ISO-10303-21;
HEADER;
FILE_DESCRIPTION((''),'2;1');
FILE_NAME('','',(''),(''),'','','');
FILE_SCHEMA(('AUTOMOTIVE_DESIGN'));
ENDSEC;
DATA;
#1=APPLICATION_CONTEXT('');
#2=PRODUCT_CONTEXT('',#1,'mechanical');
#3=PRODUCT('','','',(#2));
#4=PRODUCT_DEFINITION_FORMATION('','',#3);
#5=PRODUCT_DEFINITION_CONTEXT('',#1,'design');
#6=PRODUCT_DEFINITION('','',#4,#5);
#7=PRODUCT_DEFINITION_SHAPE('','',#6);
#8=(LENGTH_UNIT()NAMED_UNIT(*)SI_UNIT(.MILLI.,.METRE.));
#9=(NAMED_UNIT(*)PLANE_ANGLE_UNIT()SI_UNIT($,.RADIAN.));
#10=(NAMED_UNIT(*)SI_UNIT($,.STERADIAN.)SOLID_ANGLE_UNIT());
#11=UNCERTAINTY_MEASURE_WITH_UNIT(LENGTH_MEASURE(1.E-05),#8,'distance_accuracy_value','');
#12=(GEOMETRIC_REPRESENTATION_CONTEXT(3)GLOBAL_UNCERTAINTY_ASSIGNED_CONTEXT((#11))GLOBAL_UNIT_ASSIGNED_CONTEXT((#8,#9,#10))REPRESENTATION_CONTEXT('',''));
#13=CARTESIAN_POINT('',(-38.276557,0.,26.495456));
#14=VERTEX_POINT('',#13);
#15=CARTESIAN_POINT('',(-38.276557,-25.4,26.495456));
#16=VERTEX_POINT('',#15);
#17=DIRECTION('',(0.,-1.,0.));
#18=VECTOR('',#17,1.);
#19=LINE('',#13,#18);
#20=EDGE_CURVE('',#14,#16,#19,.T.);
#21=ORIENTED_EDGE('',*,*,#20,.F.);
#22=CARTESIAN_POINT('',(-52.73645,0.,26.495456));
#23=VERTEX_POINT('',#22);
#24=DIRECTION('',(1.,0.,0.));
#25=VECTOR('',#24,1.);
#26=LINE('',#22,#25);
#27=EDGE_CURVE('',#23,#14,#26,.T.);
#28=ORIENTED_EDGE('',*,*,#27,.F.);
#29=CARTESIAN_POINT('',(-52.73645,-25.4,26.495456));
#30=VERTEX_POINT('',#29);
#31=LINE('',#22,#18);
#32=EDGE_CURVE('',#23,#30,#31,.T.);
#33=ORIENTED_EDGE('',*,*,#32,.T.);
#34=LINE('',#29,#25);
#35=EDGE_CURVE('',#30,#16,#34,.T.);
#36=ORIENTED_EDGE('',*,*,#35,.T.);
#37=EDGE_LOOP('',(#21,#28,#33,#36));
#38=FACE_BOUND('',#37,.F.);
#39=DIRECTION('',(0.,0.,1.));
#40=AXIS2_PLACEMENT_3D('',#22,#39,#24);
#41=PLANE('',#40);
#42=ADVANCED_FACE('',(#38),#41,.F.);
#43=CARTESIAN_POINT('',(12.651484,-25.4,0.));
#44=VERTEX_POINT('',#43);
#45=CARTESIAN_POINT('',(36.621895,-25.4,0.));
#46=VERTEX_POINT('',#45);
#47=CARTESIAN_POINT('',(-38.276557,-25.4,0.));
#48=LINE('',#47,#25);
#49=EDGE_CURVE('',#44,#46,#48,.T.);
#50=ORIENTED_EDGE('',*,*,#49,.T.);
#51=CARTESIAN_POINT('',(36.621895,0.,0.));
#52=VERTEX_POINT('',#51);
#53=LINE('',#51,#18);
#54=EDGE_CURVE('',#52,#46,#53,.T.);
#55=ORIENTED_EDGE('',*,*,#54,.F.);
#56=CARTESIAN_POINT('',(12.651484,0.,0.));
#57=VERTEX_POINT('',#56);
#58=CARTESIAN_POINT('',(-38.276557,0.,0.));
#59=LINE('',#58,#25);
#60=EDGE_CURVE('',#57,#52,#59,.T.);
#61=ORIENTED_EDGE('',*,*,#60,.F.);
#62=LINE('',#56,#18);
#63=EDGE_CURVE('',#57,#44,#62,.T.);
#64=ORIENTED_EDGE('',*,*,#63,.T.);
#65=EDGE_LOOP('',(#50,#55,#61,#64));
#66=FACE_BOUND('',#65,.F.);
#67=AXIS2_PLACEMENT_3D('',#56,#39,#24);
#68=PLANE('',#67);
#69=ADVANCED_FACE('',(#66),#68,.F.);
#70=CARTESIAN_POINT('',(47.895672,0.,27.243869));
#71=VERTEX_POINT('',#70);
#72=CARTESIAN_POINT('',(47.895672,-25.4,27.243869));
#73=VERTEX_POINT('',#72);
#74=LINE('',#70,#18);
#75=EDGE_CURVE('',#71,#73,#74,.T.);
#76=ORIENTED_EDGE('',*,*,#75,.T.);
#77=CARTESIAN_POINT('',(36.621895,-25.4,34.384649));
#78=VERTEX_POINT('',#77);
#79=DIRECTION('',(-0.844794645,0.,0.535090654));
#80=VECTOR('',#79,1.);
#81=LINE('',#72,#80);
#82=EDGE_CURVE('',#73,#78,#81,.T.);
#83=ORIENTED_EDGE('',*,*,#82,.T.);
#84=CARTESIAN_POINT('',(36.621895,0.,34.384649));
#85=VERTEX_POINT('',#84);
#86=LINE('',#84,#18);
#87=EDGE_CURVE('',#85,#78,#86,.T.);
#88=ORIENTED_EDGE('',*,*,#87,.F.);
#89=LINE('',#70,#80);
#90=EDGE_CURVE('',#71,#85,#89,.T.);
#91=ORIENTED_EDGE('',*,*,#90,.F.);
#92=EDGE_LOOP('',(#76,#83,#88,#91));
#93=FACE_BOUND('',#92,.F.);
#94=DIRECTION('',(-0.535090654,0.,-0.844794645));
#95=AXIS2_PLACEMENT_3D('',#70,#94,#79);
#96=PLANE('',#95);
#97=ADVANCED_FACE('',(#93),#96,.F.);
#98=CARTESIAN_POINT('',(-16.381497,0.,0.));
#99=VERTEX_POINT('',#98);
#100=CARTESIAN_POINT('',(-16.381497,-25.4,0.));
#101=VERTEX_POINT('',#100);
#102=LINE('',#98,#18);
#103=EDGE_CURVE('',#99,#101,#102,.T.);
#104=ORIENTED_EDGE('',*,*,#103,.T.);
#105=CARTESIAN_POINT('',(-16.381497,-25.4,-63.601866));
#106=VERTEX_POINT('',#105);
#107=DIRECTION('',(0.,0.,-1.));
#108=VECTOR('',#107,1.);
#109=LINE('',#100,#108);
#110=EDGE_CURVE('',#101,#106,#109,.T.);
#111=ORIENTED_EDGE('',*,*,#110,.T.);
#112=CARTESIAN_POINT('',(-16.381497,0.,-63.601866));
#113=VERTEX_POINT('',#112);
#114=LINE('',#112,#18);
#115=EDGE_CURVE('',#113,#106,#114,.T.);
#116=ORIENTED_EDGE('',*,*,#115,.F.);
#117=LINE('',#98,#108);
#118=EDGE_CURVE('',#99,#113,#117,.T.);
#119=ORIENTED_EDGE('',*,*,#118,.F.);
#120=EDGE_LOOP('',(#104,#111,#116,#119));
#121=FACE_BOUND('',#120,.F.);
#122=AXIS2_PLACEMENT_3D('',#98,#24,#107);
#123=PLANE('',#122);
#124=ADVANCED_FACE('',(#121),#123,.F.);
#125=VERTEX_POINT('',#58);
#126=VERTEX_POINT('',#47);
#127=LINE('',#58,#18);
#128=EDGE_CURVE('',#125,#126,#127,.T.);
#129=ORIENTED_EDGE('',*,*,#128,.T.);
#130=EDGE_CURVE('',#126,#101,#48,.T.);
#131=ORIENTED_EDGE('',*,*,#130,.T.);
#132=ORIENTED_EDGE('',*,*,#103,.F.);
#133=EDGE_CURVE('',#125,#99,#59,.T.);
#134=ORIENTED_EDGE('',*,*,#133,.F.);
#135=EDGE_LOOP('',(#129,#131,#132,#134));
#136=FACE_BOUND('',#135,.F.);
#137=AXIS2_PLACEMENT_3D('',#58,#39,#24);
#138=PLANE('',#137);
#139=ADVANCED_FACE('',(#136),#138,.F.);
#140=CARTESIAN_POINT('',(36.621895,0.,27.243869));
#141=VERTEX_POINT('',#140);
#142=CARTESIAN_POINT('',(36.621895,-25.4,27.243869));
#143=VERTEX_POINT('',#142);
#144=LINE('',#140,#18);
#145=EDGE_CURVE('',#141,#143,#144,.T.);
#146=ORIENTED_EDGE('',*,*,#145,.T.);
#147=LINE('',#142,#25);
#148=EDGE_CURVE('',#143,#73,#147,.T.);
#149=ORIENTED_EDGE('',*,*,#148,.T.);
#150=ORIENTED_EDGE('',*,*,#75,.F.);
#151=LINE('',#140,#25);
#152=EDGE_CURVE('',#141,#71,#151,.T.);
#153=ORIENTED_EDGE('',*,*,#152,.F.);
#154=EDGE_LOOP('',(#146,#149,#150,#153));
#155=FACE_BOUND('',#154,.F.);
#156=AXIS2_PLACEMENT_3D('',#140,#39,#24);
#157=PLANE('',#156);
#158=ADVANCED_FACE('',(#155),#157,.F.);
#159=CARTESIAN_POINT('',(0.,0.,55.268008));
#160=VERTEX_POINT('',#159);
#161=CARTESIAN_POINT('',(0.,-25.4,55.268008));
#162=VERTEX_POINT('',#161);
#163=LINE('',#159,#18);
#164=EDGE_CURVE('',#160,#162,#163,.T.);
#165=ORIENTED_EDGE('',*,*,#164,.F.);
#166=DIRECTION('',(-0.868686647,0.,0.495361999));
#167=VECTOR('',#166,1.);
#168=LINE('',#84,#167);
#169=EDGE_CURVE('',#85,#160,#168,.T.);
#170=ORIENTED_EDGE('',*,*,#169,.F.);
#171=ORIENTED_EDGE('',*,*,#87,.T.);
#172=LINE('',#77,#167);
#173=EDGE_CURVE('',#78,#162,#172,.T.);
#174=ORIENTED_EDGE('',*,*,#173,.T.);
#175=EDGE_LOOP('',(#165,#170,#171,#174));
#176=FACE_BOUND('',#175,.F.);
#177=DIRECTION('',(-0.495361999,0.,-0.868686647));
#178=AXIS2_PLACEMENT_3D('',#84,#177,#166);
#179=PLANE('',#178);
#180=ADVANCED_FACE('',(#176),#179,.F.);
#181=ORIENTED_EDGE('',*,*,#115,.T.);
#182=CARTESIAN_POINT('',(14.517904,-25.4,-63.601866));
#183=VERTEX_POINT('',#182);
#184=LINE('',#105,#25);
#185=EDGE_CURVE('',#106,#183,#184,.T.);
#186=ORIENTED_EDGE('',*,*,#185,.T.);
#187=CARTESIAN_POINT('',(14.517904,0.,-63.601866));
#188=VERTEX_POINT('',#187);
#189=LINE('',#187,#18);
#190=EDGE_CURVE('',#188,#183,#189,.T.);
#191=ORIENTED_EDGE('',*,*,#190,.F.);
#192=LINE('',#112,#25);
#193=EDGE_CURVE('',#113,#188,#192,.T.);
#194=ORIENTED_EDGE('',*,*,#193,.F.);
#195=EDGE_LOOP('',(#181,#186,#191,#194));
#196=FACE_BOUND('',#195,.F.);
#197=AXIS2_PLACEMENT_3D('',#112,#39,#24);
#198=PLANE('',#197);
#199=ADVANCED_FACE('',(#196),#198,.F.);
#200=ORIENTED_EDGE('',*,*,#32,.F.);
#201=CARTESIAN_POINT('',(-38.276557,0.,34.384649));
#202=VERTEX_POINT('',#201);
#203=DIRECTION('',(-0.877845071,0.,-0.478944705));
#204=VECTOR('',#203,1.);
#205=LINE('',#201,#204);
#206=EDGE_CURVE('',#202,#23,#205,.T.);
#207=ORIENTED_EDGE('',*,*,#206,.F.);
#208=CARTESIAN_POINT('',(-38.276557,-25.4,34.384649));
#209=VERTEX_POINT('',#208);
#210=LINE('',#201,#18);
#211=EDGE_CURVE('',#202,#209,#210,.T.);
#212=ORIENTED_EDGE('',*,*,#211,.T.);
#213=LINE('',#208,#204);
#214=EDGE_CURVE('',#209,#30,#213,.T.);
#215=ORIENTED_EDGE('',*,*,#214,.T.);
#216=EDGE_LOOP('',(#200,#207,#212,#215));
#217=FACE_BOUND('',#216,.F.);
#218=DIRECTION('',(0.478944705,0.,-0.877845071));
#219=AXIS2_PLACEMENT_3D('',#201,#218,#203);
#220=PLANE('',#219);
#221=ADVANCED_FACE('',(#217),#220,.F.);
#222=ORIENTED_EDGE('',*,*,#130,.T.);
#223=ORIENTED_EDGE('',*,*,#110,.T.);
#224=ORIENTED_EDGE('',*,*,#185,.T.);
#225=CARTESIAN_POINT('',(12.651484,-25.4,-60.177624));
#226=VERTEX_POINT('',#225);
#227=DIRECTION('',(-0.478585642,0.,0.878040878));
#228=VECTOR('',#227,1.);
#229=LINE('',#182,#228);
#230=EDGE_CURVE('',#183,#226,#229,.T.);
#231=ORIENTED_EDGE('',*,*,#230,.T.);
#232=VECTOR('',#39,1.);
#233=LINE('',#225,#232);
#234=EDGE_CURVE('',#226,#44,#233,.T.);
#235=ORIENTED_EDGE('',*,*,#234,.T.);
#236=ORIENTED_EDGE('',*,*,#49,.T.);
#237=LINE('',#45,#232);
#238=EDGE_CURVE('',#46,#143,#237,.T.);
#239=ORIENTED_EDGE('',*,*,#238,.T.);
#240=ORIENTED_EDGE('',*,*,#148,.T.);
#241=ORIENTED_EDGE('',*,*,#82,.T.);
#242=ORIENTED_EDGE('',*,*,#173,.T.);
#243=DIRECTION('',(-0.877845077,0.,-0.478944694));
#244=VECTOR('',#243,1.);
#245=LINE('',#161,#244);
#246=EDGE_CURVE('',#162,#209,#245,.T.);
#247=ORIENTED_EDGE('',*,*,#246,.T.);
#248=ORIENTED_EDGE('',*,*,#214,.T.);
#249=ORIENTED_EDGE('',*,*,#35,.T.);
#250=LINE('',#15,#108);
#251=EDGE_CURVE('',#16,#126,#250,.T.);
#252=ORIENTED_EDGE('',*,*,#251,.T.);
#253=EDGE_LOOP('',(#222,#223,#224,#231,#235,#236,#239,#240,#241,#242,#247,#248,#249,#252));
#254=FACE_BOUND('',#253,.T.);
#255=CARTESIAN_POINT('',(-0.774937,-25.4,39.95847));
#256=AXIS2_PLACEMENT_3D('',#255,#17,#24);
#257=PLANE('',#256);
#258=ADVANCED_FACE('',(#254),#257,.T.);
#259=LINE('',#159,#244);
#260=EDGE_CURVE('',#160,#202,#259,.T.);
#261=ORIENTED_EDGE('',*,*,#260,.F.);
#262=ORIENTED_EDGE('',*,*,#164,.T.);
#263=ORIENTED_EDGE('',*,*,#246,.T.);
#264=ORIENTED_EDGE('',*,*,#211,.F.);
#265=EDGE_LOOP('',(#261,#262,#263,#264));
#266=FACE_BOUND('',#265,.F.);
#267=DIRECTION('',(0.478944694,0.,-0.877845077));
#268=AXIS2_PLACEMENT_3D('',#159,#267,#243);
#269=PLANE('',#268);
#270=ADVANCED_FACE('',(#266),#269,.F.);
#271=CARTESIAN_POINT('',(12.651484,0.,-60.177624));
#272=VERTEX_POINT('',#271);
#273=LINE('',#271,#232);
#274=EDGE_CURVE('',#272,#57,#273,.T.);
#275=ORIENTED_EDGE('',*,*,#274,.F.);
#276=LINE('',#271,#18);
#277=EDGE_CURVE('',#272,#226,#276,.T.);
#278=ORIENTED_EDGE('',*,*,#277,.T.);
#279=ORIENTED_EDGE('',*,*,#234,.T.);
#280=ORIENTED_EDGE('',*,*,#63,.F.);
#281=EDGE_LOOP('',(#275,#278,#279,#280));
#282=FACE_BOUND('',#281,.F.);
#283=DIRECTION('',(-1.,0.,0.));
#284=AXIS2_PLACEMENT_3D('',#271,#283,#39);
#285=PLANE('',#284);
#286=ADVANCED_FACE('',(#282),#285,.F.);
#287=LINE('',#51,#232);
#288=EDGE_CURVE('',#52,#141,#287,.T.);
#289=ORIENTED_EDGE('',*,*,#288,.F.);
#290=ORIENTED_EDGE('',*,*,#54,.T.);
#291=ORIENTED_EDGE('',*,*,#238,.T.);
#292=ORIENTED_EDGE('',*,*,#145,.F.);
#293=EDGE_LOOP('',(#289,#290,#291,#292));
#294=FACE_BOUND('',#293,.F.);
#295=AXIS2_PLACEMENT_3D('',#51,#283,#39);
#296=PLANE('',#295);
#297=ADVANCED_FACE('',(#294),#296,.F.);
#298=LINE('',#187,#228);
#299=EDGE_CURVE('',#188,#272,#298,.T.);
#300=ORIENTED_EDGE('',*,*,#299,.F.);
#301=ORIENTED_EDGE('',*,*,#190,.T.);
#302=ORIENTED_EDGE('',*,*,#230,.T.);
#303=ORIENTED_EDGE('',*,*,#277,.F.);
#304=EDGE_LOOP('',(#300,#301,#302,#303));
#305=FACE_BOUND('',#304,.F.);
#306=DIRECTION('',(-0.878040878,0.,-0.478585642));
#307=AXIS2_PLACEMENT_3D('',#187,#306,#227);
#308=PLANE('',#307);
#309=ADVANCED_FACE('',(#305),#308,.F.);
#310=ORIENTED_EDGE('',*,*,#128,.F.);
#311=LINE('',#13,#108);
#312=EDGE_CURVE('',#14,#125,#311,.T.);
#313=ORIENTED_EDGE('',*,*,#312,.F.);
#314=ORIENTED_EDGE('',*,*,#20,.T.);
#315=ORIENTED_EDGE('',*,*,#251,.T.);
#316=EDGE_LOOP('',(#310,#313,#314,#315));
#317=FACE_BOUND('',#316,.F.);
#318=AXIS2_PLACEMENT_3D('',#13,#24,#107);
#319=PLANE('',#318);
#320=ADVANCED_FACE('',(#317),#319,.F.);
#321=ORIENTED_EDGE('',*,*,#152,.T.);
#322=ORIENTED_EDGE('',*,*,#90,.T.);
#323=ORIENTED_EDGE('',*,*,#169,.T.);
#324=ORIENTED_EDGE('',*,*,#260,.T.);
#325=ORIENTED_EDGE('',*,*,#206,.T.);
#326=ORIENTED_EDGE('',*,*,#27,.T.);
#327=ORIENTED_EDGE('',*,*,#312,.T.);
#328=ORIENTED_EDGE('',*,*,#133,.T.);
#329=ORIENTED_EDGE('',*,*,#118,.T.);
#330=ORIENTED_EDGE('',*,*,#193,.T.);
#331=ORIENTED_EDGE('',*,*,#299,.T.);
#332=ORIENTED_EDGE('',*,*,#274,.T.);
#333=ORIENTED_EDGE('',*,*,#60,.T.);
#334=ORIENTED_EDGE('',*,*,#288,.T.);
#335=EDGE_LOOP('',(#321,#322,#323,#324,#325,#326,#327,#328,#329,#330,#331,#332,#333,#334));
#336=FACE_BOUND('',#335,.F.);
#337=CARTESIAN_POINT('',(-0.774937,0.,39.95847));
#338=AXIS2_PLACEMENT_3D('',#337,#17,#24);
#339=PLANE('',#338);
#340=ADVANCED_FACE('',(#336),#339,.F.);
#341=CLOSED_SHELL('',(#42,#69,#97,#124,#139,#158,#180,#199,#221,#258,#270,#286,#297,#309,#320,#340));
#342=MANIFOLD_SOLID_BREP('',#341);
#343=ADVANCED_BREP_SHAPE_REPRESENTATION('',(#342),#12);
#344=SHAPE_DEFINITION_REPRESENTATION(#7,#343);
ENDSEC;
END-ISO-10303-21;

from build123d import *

# Parameters (mm, degrees)
F1_DEPTH = 25.4


with BuildPart() as f1:
    # F0 (on Front) → F1 (new body)
    with BuildSketch(Plane.XZ):
        Polygon((36.621895, 34.384649), (0, 55.268008), (-38.276557, 34.384649), (-29.714473, 34.384649), (-17.944092, 34.384649), align=None)
        Polygon((-38.276557, 26.495456), (-38.276557, 34.384649), (-52.73645, 26.495456), align=None)
        Polygon((-29.714473, 34.384649), (-38.276557, 34.384649), (-38.276557, 26.495456), (-38.276557, 0), (-29.714473, 0), (-16.381497, 0), (12.651484, 0), (36.621895, 0), (36.621895, 27.243869), (36.621895, 33.672655), (36.621895, 34.384649), (-17.944092, 34.384649), align=None)
        Polygon((47.895672, 27.243869), (36.621895, 34.384649), (36.621895, 33.672655), align=None)
        Polygon((47.895672, 27.243869), (36.621895, 33.672655), (36.621895, 27.243869), align=None)
        Polygon((12.651484, 0), (-16.381497, 0), (-16.381497, -57.907131), (-16.381497, -63.601866), (14.517904, -63.601866), (12.651484, -60.177624), align=None)
    extrude(amount=F1_DEPTH)


solid = f1.part
